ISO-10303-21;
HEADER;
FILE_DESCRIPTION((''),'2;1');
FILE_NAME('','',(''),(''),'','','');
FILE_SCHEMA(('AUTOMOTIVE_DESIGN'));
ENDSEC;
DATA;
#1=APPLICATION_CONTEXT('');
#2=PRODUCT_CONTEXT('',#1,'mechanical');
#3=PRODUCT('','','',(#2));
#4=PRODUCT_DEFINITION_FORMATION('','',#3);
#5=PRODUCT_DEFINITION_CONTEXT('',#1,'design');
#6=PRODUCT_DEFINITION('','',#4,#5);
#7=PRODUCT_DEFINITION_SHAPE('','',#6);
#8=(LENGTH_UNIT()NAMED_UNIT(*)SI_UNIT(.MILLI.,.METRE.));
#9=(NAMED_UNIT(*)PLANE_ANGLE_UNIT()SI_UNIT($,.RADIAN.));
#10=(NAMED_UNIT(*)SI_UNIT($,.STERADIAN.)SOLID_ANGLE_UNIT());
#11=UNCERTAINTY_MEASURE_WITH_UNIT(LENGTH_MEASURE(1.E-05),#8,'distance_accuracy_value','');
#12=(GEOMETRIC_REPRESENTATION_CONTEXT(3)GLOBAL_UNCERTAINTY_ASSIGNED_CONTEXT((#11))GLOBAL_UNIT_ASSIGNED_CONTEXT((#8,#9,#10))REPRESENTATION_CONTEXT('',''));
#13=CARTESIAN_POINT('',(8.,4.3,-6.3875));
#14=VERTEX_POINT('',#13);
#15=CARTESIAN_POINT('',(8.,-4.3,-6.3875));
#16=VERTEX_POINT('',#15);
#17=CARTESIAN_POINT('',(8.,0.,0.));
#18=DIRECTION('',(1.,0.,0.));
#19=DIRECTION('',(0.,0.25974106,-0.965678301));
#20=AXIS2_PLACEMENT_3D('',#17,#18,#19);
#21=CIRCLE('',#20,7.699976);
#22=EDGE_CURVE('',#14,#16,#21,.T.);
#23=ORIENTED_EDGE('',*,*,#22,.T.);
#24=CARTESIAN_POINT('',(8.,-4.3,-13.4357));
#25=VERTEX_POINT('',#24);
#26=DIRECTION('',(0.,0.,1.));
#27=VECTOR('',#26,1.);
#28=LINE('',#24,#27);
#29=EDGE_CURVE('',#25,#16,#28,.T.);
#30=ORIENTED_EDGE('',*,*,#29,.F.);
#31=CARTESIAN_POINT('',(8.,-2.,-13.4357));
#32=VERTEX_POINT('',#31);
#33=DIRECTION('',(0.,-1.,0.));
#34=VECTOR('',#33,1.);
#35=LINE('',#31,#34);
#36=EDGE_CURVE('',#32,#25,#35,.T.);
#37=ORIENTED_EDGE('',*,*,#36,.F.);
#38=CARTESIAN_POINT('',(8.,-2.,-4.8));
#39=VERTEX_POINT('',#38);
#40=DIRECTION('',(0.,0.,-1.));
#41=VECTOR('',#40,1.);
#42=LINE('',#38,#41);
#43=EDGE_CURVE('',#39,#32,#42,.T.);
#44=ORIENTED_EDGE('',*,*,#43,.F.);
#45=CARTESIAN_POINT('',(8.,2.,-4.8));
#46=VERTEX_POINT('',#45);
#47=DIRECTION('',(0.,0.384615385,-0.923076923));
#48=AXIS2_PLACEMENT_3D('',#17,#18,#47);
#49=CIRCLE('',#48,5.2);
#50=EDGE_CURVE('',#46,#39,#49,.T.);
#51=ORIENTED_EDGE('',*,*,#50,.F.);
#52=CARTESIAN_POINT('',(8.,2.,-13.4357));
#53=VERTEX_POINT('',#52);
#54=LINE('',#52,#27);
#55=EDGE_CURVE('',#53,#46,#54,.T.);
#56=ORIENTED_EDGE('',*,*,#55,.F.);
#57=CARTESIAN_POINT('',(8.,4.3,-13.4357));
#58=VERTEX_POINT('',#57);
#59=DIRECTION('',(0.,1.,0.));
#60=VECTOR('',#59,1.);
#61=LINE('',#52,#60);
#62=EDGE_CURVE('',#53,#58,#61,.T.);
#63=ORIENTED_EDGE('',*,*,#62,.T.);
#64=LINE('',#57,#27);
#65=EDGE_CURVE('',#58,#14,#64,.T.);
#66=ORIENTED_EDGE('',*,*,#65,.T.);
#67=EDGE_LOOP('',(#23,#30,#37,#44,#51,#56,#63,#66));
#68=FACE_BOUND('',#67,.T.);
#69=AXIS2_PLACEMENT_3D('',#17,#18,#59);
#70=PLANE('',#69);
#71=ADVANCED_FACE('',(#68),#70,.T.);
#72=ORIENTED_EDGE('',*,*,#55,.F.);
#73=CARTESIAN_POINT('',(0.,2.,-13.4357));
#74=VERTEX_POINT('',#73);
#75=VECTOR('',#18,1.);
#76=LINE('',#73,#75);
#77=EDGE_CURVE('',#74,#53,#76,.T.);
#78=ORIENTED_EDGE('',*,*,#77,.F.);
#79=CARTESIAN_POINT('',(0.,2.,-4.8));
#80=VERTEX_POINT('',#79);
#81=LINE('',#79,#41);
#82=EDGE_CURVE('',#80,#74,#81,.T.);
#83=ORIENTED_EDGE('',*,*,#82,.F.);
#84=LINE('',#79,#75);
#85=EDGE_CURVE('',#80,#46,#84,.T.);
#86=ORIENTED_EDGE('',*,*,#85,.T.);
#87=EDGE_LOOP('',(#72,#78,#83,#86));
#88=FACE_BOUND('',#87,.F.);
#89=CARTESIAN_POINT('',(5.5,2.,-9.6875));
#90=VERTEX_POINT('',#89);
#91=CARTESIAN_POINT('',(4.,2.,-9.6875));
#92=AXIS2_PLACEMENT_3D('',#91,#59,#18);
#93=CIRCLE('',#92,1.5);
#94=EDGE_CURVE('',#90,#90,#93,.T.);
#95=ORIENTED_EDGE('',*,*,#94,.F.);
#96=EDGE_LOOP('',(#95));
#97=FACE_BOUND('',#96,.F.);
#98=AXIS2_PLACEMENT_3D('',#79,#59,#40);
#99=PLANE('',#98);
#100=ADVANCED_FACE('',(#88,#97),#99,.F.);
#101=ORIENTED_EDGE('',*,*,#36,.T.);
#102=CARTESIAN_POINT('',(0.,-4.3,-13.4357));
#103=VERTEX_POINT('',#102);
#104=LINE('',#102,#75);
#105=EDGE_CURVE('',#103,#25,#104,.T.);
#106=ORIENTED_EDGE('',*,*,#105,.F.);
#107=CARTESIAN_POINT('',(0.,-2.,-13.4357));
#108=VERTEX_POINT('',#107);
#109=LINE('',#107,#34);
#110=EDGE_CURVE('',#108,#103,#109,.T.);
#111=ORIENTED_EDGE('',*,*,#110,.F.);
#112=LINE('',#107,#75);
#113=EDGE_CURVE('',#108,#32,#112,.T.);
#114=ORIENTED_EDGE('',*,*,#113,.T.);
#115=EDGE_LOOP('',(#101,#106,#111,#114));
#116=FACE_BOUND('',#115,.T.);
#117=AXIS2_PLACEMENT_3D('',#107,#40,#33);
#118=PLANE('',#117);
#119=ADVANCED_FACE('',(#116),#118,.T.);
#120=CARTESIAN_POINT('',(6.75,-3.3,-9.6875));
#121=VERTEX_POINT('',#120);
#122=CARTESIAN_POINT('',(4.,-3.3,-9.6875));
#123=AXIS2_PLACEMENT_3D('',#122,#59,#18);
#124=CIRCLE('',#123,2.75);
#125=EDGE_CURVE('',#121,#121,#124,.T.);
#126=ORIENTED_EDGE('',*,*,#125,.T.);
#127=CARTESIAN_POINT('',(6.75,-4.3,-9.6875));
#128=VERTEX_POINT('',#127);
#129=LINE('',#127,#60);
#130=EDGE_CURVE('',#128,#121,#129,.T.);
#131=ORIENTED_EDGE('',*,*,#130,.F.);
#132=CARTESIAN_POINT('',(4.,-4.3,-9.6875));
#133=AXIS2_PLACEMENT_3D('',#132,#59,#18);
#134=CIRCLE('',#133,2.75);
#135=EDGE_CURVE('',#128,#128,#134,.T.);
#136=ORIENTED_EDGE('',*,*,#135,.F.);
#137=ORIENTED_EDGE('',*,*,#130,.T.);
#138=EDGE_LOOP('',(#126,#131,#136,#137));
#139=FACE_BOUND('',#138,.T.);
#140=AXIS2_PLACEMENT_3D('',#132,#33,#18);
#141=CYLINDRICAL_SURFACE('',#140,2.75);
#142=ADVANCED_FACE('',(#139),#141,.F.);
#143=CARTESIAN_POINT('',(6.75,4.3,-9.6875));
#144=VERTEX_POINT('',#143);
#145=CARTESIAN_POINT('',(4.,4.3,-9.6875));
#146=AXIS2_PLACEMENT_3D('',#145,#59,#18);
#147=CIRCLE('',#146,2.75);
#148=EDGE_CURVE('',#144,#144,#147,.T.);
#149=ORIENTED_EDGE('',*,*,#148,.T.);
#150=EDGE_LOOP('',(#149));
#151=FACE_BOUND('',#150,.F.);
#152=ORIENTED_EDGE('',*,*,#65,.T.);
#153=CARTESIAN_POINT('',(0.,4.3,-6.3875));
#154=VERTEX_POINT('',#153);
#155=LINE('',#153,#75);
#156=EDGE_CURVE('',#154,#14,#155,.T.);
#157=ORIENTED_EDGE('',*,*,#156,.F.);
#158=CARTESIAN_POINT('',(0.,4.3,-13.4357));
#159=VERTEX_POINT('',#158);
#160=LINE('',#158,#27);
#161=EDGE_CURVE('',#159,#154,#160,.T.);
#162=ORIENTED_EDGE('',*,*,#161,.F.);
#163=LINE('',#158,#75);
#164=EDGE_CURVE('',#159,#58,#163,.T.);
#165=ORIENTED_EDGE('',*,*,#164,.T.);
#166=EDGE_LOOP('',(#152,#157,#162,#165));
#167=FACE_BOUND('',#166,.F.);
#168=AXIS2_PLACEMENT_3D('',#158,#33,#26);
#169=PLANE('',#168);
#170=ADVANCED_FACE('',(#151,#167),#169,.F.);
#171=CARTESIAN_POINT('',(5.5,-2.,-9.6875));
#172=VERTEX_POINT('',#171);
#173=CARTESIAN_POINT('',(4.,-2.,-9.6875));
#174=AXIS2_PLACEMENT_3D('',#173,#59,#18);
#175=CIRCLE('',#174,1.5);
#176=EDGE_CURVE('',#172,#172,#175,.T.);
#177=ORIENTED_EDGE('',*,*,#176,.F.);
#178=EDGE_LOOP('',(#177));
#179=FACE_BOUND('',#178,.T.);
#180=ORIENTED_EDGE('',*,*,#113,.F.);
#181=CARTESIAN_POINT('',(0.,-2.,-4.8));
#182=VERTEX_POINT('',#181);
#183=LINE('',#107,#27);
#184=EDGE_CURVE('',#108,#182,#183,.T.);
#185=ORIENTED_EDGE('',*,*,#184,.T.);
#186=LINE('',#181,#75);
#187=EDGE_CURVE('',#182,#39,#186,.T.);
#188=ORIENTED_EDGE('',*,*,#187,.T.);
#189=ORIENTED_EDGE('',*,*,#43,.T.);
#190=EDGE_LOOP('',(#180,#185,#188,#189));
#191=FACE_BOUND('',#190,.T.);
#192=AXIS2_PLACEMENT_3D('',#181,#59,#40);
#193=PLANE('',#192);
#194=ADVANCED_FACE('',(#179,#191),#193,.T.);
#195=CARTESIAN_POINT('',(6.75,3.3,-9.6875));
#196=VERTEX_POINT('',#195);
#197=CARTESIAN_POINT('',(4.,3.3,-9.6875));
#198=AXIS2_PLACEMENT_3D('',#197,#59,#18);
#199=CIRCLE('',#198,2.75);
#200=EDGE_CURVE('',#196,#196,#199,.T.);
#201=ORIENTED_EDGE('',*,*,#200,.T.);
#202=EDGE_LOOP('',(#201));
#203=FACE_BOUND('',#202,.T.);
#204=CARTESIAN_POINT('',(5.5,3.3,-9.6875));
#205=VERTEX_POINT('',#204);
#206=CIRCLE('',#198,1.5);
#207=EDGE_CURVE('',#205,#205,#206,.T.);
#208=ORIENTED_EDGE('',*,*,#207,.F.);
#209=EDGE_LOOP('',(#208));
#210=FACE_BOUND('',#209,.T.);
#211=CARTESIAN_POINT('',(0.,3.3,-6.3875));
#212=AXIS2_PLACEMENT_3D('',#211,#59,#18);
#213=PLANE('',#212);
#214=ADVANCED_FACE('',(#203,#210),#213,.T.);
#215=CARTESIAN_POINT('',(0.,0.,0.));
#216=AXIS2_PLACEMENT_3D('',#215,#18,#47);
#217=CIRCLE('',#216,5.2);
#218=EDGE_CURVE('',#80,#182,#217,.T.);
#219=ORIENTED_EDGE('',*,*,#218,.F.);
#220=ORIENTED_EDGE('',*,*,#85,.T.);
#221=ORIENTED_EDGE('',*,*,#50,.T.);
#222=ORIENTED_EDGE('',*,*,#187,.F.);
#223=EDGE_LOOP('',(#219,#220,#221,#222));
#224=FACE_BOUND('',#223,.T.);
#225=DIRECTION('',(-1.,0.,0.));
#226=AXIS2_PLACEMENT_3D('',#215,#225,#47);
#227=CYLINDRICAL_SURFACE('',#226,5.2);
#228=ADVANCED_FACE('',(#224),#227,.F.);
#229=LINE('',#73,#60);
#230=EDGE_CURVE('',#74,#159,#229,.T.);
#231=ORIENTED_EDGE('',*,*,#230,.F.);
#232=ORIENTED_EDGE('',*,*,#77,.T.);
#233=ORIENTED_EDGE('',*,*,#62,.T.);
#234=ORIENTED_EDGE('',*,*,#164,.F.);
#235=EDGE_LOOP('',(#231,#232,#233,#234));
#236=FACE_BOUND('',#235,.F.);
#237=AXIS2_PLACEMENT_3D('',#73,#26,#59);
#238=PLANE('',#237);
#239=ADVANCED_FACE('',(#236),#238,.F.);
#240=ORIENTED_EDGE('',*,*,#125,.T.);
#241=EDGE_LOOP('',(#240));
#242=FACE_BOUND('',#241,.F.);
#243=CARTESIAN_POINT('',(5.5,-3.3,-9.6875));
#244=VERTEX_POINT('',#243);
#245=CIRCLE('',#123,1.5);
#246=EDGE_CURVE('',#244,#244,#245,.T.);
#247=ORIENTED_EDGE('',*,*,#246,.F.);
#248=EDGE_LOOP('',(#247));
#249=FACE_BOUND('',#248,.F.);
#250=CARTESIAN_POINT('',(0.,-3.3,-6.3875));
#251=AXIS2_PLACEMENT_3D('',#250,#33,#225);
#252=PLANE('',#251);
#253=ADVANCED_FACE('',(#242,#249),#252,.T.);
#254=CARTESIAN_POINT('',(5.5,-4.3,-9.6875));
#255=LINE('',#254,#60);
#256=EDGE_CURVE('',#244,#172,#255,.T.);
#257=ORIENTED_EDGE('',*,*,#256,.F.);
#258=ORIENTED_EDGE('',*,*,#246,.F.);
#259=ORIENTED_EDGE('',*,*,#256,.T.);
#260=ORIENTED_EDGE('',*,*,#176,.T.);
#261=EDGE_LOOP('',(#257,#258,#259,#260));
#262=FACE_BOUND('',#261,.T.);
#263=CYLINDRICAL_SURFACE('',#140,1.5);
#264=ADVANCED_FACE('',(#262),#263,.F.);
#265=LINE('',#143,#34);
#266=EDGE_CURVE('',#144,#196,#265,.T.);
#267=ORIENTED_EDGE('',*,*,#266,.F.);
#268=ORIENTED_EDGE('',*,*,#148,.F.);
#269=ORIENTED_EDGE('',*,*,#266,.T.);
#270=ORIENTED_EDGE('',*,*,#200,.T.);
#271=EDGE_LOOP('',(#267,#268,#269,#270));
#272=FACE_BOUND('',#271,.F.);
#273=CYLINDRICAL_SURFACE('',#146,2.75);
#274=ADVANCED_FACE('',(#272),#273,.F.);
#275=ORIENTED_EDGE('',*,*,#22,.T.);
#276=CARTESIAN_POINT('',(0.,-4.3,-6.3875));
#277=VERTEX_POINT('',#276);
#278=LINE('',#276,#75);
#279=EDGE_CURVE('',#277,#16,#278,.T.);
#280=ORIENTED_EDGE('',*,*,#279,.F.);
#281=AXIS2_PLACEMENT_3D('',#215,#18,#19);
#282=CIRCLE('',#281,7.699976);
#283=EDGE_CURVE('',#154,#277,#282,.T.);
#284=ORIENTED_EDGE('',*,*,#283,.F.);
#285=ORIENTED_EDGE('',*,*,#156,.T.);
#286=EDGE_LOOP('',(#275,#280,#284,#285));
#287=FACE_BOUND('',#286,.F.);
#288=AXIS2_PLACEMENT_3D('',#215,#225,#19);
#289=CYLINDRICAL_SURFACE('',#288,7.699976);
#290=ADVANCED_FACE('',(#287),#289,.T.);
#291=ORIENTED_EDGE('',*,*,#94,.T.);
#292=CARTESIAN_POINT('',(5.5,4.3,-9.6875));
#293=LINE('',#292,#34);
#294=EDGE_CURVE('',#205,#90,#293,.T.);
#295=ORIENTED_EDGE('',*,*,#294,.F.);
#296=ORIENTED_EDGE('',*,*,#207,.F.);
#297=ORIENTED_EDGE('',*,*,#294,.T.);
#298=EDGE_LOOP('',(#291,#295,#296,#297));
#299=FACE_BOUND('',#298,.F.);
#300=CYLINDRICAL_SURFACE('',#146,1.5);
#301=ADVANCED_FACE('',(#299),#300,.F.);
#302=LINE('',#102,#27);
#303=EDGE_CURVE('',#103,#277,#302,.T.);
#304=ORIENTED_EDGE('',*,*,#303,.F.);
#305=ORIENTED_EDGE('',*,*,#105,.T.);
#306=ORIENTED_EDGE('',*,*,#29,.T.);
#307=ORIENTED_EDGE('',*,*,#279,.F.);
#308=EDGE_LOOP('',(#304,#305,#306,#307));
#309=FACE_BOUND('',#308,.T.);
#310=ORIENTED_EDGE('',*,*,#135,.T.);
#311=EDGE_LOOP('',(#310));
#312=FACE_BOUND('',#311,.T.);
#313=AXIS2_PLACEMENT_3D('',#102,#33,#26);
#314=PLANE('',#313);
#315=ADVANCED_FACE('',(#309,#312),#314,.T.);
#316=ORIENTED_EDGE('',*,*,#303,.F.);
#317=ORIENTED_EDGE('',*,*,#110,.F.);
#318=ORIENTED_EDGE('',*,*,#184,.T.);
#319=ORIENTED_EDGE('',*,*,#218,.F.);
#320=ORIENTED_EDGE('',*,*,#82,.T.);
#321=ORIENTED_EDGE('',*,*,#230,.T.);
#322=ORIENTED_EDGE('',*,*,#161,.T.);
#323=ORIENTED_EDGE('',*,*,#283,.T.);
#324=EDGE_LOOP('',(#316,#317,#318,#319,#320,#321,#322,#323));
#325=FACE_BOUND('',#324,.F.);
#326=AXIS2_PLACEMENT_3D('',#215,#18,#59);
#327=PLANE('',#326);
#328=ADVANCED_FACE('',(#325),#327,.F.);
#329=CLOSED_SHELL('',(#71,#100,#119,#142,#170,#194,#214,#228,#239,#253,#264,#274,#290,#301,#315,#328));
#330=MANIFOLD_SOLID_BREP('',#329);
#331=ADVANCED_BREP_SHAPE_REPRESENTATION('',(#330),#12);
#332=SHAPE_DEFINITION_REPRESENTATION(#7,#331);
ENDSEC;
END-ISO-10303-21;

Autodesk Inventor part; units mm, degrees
ref_plane "YZ Plane" through (0, 0, 0) normal (1, 0, 0) x (0, 1, 0)
ref_plane "XZ Plane" through (0, 0, 0) normal (0, 1, 0) x (-1, 0, 0)
ref_plane "XY Plane" through (0, 0, 0) normal (0, 0, 1) x (1, 0, 0)
sketch "Sketch2" plane through (0, 0, 0) normal (1, 0, 0) x (0, 1, 0)
  arc A0 (2, -4.8) -> (-2, -4.8) centre (0, 0) ccw
  arc A1 (2, -7.4357) -> (-2, -7.4357) centre (0, 0) ccw
  line L0 (0, 0) -> (2, -4.8)
  line L1 (2, -4.8) -> (2, -7.4357)
  line L2 (2, -7.4357) -> (2, -13.4357)
  line L3 (2, -13.4357) -> (4.3, -13.4357)
  line L4 (4.3, -13.4357) -> (4.3, -6.3875)
  line L5 (0, 0) -> (0, -16.8496) construction
  line L6 (0, 0) -> (-2, -4.8)
  line L7 (-2, -4.8) -> (-2, -7.4357)
  line L8 (-2, -7.4357) -> (-2, -13.4357)
  line L9 (-2, -13.4357) -> (-4.3, -13.4357)
  line L10 (-4.3, -13.4357) -> (-4.3, -6.3875)
  line L11 (-4.3, -6.3875) -> (-2, -6.3875)
  arc A2 (0, -5.2) -> (2, -4.8) centre (0, 0) ccw
  arc A3 (0, -7.7) -> (2, -7.4357) centre (0, 0) ccw
  arc A4 (-2, -7.4357) -> (0, -7.7) centre (0, 0) ccw
  arc A5 (-2, -4.8) -> (0, -5.2) centre (0, 0) ccw
  dimension "d6" = 10.4
  dimension "d7" = 2.5
  dimension "d9" = 2
  dimension "d10" = 6
  dimension "d11" = 2.3
  dimension "d12" = 90
extrude "Extrusion1" add sketch "Sketch2" along normal blind 8 contours A0 L7 L11 A1 L1 | A1 L4 L3 L2 | L7 A1 L11 | L8 L9 L10 A1
sketch "Sketch3" plane through (0, 4.3, -6.3875) normal (0, 1, 0) x (1, 0, 0)
  line L0 (0, 7.0482) -> (0, 0) projected
  line L1 (0, 0) -> (8, 0) projected
  line L2 (8, 7.0482) -> (8, 0) projected
  line L3 (0, 7.0482) -> (8, 7.0482) projected
  circle A0 centre (4, 3.3) radius 1.5
  point P0 (0, -6.3875)
  dimension "d15" = 3
  dimension "d21" = 3.3
extrude "Extrusion2" cut sketch "Sketch3" against normal up to next contours A0
sketch "Sketch4" plane through (0, 4.3, -6.3875) normal (0, 1, 0) x (1, 0, 0)
  line L0 (0, 7.0482) -> (0, -1.5875) projected
  line L1 (0, -1.5875) -> (8, -1.5875) projected
  line L2 (8, 7.0482) -> (8, -1.5875) projected
  line L3 (0, 7.0482) -> (8, 7.0482) projected
  circle A0 centre (4, 3.3) radius 1.5 projected
  line L4 (0, 7.0482) -> (0, 0) projected
  line L5 (0, 0) -> (8, 0) projected
  line L6 (8, 7.0482) -> (8, 0) projected
  line L7 (0, 7.0482) -> (8, 7.0482) projected
  circle A1 centre (4, 3.3) radius 2.75
  point P0 (0, -6.3875)
  dimension "d18" = 5.5
extrude "Extrusion3" cut sketch "Sketch4" against normal blind 1 contours A1
mirror "Mirror1" about plane through (0, 0, 0) normal (0, 1, 0) of "Extrusion3", "Extrusion2"
properties part number "10mm rod Top Clamp"
